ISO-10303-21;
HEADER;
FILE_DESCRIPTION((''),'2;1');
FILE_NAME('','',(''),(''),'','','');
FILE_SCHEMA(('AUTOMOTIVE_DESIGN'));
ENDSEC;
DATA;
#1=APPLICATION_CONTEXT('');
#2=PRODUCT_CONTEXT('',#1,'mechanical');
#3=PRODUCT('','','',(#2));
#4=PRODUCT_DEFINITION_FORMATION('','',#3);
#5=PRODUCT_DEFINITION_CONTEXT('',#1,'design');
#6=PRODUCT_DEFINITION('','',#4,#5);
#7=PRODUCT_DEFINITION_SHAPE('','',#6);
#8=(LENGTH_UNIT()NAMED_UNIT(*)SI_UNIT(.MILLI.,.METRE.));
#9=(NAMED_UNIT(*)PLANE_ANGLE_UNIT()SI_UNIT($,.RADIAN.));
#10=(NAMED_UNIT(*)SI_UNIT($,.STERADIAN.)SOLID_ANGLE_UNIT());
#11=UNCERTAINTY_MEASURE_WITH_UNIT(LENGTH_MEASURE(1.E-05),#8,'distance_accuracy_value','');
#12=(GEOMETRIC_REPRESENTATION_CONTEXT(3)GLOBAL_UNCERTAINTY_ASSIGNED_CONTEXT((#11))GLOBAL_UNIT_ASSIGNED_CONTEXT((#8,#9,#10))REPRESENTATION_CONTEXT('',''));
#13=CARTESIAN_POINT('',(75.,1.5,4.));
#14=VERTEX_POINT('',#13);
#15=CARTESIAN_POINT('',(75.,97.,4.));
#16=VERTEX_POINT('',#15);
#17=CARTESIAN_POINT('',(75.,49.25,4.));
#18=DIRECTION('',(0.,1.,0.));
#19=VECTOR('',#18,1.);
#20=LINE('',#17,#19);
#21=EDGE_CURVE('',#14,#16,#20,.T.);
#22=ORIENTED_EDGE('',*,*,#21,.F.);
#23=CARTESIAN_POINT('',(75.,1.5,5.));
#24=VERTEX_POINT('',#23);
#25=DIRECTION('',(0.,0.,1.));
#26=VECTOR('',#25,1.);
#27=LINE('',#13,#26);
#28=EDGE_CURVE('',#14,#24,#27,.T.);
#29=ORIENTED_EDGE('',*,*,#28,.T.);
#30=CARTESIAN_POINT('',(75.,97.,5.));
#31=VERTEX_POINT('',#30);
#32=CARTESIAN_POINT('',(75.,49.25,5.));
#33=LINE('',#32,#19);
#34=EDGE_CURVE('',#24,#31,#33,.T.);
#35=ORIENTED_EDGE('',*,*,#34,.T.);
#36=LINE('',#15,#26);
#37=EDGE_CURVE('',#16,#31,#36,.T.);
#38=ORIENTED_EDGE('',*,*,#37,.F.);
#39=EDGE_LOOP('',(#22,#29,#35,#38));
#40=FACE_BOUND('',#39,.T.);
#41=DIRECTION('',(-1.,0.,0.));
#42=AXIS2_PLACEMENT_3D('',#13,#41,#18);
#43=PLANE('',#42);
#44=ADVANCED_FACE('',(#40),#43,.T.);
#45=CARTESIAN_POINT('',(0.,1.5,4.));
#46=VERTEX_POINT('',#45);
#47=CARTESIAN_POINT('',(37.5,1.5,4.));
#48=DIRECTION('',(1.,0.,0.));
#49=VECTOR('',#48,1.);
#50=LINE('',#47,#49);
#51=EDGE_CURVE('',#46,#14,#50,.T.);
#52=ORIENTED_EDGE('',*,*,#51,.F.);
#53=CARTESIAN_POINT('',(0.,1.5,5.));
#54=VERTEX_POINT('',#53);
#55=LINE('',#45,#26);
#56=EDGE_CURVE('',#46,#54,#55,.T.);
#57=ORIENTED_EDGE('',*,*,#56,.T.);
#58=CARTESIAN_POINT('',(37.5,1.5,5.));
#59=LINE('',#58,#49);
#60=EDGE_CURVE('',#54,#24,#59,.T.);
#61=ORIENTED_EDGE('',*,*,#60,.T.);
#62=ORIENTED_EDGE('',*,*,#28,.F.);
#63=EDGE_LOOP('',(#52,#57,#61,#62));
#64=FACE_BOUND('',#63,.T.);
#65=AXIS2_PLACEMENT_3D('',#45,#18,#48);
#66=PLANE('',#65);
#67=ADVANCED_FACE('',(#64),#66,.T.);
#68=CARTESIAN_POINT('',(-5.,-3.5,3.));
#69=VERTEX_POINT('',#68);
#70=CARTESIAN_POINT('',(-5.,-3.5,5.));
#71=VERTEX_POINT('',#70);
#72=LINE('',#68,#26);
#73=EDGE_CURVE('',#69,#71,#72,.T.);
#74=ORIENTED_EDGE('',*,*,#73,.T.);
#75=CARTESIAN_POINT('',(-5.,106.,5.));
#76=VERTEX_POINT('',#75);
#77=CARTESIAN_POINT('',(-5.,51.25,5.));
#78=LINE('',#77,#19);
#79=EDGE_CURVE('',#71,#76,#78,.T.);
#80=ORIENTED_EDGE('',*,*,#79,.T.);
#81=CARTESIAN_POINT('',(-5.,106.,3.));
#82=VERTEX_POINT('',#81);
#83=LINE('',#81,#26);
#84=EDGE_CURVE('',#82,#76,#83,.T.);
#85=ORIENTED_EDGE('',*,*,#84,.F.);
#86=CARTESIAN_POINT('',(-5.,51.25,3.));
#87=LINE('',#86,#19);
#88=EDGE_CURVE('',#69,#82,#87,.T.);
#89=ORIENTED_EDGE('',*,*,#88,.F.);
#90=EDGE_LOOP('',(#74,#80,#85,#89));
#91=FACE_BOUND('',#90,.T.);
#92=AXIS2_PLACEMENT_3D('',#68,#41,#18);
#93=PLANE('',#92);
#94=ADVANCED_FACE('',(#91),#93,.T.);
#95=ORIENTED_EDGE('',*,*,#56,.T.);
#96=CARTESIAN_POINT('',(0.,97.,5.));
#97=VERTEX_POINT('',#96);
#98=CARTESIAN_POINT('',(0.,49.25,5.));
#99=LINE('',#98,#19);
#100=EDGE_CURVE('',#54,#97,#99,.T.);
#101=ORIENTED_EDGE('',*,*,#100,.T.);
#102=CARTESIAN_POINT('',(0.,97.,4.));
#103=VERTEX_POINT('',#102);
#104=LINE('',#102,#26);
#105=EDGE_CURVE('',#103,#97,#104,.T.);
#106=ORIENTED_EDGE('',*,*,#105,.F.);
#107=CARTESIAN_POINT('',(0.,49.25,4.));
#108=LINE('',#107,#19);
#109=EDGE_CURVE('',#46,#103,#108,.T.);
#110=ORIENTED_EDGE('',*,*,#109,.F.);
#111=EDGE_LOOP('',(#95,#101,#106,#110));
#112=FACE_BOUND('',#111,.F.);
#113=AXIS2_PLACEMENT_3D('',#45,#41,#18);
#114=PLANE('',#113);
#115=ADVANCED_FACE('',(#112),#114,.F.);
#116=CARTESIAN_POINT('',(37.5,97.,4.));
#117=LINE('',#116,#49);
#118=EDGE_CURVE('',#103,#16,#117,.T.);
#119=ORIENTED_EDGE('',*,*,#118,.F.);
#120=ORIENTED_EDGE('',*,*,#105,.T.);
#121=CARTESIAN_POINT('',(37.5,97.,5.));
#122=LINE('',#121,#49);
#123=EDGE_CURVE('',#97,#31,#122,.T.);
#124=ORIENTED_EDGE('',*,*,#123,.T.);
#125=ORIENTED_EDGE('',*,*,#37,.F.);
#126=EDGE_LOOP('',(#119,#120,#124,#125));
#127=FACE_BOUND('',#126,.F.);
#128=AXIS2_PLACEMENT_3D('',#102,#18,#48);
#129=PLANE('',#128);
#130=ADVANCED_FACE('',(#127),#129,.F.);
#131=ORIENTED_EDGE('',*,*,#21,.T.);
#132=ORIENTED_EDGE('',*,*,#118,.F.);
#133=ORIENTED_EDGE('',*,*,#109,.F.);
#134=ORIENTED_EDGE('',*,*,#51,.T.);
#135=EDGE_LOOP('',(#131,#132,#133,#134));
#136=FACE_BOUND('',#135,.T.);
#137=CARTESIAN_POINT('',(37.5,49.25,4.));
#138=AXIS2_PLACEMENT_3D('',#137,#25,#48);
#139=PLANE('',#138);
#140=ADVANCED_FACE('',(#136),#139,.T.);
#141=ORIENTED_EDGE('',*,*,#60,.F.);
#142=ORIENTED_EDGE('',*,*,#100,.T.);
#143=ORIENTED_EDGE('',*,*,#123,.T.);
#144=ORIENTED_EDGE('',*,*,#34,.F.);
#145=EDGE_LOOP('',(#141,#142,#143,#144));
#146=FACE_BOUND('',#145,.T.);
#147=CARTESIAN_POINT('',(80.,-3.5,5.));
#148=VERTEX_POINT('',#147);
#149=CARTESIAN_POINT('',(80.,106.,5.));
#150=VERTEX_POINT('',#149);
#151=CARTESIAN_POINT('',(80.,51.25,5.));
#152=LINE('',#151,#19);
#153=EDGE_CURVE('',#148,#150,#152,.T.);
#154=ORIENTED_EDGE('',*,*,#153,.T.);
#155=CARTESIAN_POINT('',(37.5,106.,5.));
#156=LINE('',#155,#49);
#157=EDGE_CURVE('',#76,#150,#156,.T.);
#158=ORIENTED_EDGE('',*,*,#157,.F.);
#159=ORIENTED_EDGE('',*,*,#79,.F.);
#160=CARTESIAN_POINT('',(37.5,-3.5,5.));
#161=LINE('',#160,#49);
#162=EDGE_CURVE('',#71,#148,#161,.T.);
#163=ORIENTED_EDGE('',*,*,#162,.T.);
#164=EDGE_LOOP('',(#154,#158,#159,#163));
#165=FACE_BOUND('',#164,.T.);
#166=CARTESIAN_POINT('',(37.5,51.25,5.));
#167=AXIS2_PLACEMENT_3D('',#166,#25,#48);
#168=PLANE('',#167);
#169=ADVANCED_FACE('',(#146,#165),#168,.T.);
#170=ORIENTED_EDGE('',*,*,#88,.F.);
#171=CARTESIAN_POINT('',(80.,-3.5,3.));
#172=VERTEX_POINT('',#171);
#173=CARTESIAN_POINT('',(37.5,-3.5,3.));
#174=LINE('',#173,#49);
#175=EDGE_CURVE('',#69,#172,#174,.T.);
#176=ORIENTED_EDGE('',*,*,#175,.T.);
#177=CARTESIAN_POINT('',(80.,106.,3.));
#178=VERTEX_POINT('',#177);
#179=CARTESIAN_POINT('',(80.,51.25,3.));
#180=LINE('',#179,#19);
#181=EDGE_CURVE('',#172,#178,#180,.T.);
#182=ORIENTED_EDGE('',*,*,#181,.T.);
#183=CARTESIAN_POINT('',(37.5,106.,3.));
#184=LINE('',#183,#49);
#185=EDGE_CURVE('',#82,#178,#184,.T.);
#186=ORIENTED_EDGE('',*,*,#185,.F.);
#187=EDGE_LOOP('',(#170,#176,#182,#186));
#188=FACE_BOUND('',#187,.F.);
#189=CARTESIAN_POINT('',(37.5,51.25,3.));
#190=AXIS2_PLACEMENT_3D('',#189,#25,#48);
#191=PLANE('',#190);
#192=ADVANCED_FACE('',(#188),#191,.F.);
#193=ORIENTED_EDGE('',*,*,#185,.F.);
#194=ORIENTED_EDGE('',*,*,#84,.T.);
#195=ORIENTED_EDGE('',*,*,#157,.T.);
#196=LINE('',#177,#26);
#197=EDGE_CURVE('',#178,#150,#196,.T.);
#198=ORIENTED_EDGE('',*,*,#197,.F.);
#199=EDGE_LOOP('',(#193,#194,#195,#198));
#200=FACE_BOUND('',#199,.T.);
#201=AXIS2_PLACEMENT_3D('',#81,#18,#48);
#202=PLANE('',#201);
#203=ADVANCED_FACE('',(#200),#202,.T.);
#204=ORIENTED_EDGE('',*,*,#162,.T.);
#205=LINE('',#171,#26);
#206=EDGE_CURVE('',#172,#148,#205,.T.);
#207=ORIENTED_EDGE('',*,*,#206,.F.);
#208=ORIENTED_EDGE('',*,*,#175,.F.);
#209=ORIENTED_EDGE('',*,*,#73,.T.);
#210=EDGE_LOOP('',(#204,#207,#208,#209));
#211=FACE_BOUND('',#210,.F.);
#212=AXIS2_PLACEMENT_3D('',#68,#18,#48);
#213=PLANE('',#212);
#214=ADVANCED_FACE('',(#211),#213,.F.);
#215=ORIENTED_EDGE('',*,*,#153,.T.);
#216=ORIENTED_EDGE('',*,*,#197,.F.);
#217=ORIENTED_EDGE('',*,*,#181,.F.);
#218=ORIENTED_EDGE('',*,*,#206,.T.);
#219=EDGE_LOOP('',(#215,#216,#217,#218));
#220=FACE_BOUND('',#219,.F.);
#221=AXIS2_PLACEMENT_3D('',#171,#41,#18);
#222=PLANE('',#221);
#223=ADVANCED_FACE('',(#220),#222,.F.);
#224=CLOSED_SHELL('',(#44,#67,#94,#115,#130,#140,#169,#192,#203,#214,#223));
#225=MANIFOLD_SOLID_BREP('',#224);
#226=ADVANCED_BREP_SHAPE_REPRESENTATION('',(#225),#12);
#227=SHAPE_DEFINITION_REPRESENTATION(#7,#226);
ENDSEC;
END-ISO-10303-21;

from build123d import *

# Parameters (mm, degrees)
SKETCH081_W      = 75
SKETCH081_H      = 95.5
EXTRUDE073_DEPTH = 1
SKETCH071_W      = 85
SKETCH071_H      = 109.5
EXTRUDE061_DEPTH = 2


with BuildPart() as extrude073:
    # Sketch081 → Extrude073 (new body)
    with BuildSketch(Plane.XY.offset(4)):
        with Locations((37.5, 49.25)):
            Rectangle(SKETCH081_W, SKETCH081_H)
    extrude(amount=EXTRUDE073_DEPTH)


with BuildPart() as cut008:
    # Sketch071 → Extrude061 (new body)
    with BuildSketch(Plane.XY.offset(3)):
        with Locations((37.5, 51.25)):
            Rectangle(SKETCH071_W, SKETCH071_H)
    extrude(amount=EXTRUDE061_DEPTH)

    # Cut008: cut Extrude073
    add(extrude073.part, mode=Mode.SUBTRACT)


solid = cut008.part
